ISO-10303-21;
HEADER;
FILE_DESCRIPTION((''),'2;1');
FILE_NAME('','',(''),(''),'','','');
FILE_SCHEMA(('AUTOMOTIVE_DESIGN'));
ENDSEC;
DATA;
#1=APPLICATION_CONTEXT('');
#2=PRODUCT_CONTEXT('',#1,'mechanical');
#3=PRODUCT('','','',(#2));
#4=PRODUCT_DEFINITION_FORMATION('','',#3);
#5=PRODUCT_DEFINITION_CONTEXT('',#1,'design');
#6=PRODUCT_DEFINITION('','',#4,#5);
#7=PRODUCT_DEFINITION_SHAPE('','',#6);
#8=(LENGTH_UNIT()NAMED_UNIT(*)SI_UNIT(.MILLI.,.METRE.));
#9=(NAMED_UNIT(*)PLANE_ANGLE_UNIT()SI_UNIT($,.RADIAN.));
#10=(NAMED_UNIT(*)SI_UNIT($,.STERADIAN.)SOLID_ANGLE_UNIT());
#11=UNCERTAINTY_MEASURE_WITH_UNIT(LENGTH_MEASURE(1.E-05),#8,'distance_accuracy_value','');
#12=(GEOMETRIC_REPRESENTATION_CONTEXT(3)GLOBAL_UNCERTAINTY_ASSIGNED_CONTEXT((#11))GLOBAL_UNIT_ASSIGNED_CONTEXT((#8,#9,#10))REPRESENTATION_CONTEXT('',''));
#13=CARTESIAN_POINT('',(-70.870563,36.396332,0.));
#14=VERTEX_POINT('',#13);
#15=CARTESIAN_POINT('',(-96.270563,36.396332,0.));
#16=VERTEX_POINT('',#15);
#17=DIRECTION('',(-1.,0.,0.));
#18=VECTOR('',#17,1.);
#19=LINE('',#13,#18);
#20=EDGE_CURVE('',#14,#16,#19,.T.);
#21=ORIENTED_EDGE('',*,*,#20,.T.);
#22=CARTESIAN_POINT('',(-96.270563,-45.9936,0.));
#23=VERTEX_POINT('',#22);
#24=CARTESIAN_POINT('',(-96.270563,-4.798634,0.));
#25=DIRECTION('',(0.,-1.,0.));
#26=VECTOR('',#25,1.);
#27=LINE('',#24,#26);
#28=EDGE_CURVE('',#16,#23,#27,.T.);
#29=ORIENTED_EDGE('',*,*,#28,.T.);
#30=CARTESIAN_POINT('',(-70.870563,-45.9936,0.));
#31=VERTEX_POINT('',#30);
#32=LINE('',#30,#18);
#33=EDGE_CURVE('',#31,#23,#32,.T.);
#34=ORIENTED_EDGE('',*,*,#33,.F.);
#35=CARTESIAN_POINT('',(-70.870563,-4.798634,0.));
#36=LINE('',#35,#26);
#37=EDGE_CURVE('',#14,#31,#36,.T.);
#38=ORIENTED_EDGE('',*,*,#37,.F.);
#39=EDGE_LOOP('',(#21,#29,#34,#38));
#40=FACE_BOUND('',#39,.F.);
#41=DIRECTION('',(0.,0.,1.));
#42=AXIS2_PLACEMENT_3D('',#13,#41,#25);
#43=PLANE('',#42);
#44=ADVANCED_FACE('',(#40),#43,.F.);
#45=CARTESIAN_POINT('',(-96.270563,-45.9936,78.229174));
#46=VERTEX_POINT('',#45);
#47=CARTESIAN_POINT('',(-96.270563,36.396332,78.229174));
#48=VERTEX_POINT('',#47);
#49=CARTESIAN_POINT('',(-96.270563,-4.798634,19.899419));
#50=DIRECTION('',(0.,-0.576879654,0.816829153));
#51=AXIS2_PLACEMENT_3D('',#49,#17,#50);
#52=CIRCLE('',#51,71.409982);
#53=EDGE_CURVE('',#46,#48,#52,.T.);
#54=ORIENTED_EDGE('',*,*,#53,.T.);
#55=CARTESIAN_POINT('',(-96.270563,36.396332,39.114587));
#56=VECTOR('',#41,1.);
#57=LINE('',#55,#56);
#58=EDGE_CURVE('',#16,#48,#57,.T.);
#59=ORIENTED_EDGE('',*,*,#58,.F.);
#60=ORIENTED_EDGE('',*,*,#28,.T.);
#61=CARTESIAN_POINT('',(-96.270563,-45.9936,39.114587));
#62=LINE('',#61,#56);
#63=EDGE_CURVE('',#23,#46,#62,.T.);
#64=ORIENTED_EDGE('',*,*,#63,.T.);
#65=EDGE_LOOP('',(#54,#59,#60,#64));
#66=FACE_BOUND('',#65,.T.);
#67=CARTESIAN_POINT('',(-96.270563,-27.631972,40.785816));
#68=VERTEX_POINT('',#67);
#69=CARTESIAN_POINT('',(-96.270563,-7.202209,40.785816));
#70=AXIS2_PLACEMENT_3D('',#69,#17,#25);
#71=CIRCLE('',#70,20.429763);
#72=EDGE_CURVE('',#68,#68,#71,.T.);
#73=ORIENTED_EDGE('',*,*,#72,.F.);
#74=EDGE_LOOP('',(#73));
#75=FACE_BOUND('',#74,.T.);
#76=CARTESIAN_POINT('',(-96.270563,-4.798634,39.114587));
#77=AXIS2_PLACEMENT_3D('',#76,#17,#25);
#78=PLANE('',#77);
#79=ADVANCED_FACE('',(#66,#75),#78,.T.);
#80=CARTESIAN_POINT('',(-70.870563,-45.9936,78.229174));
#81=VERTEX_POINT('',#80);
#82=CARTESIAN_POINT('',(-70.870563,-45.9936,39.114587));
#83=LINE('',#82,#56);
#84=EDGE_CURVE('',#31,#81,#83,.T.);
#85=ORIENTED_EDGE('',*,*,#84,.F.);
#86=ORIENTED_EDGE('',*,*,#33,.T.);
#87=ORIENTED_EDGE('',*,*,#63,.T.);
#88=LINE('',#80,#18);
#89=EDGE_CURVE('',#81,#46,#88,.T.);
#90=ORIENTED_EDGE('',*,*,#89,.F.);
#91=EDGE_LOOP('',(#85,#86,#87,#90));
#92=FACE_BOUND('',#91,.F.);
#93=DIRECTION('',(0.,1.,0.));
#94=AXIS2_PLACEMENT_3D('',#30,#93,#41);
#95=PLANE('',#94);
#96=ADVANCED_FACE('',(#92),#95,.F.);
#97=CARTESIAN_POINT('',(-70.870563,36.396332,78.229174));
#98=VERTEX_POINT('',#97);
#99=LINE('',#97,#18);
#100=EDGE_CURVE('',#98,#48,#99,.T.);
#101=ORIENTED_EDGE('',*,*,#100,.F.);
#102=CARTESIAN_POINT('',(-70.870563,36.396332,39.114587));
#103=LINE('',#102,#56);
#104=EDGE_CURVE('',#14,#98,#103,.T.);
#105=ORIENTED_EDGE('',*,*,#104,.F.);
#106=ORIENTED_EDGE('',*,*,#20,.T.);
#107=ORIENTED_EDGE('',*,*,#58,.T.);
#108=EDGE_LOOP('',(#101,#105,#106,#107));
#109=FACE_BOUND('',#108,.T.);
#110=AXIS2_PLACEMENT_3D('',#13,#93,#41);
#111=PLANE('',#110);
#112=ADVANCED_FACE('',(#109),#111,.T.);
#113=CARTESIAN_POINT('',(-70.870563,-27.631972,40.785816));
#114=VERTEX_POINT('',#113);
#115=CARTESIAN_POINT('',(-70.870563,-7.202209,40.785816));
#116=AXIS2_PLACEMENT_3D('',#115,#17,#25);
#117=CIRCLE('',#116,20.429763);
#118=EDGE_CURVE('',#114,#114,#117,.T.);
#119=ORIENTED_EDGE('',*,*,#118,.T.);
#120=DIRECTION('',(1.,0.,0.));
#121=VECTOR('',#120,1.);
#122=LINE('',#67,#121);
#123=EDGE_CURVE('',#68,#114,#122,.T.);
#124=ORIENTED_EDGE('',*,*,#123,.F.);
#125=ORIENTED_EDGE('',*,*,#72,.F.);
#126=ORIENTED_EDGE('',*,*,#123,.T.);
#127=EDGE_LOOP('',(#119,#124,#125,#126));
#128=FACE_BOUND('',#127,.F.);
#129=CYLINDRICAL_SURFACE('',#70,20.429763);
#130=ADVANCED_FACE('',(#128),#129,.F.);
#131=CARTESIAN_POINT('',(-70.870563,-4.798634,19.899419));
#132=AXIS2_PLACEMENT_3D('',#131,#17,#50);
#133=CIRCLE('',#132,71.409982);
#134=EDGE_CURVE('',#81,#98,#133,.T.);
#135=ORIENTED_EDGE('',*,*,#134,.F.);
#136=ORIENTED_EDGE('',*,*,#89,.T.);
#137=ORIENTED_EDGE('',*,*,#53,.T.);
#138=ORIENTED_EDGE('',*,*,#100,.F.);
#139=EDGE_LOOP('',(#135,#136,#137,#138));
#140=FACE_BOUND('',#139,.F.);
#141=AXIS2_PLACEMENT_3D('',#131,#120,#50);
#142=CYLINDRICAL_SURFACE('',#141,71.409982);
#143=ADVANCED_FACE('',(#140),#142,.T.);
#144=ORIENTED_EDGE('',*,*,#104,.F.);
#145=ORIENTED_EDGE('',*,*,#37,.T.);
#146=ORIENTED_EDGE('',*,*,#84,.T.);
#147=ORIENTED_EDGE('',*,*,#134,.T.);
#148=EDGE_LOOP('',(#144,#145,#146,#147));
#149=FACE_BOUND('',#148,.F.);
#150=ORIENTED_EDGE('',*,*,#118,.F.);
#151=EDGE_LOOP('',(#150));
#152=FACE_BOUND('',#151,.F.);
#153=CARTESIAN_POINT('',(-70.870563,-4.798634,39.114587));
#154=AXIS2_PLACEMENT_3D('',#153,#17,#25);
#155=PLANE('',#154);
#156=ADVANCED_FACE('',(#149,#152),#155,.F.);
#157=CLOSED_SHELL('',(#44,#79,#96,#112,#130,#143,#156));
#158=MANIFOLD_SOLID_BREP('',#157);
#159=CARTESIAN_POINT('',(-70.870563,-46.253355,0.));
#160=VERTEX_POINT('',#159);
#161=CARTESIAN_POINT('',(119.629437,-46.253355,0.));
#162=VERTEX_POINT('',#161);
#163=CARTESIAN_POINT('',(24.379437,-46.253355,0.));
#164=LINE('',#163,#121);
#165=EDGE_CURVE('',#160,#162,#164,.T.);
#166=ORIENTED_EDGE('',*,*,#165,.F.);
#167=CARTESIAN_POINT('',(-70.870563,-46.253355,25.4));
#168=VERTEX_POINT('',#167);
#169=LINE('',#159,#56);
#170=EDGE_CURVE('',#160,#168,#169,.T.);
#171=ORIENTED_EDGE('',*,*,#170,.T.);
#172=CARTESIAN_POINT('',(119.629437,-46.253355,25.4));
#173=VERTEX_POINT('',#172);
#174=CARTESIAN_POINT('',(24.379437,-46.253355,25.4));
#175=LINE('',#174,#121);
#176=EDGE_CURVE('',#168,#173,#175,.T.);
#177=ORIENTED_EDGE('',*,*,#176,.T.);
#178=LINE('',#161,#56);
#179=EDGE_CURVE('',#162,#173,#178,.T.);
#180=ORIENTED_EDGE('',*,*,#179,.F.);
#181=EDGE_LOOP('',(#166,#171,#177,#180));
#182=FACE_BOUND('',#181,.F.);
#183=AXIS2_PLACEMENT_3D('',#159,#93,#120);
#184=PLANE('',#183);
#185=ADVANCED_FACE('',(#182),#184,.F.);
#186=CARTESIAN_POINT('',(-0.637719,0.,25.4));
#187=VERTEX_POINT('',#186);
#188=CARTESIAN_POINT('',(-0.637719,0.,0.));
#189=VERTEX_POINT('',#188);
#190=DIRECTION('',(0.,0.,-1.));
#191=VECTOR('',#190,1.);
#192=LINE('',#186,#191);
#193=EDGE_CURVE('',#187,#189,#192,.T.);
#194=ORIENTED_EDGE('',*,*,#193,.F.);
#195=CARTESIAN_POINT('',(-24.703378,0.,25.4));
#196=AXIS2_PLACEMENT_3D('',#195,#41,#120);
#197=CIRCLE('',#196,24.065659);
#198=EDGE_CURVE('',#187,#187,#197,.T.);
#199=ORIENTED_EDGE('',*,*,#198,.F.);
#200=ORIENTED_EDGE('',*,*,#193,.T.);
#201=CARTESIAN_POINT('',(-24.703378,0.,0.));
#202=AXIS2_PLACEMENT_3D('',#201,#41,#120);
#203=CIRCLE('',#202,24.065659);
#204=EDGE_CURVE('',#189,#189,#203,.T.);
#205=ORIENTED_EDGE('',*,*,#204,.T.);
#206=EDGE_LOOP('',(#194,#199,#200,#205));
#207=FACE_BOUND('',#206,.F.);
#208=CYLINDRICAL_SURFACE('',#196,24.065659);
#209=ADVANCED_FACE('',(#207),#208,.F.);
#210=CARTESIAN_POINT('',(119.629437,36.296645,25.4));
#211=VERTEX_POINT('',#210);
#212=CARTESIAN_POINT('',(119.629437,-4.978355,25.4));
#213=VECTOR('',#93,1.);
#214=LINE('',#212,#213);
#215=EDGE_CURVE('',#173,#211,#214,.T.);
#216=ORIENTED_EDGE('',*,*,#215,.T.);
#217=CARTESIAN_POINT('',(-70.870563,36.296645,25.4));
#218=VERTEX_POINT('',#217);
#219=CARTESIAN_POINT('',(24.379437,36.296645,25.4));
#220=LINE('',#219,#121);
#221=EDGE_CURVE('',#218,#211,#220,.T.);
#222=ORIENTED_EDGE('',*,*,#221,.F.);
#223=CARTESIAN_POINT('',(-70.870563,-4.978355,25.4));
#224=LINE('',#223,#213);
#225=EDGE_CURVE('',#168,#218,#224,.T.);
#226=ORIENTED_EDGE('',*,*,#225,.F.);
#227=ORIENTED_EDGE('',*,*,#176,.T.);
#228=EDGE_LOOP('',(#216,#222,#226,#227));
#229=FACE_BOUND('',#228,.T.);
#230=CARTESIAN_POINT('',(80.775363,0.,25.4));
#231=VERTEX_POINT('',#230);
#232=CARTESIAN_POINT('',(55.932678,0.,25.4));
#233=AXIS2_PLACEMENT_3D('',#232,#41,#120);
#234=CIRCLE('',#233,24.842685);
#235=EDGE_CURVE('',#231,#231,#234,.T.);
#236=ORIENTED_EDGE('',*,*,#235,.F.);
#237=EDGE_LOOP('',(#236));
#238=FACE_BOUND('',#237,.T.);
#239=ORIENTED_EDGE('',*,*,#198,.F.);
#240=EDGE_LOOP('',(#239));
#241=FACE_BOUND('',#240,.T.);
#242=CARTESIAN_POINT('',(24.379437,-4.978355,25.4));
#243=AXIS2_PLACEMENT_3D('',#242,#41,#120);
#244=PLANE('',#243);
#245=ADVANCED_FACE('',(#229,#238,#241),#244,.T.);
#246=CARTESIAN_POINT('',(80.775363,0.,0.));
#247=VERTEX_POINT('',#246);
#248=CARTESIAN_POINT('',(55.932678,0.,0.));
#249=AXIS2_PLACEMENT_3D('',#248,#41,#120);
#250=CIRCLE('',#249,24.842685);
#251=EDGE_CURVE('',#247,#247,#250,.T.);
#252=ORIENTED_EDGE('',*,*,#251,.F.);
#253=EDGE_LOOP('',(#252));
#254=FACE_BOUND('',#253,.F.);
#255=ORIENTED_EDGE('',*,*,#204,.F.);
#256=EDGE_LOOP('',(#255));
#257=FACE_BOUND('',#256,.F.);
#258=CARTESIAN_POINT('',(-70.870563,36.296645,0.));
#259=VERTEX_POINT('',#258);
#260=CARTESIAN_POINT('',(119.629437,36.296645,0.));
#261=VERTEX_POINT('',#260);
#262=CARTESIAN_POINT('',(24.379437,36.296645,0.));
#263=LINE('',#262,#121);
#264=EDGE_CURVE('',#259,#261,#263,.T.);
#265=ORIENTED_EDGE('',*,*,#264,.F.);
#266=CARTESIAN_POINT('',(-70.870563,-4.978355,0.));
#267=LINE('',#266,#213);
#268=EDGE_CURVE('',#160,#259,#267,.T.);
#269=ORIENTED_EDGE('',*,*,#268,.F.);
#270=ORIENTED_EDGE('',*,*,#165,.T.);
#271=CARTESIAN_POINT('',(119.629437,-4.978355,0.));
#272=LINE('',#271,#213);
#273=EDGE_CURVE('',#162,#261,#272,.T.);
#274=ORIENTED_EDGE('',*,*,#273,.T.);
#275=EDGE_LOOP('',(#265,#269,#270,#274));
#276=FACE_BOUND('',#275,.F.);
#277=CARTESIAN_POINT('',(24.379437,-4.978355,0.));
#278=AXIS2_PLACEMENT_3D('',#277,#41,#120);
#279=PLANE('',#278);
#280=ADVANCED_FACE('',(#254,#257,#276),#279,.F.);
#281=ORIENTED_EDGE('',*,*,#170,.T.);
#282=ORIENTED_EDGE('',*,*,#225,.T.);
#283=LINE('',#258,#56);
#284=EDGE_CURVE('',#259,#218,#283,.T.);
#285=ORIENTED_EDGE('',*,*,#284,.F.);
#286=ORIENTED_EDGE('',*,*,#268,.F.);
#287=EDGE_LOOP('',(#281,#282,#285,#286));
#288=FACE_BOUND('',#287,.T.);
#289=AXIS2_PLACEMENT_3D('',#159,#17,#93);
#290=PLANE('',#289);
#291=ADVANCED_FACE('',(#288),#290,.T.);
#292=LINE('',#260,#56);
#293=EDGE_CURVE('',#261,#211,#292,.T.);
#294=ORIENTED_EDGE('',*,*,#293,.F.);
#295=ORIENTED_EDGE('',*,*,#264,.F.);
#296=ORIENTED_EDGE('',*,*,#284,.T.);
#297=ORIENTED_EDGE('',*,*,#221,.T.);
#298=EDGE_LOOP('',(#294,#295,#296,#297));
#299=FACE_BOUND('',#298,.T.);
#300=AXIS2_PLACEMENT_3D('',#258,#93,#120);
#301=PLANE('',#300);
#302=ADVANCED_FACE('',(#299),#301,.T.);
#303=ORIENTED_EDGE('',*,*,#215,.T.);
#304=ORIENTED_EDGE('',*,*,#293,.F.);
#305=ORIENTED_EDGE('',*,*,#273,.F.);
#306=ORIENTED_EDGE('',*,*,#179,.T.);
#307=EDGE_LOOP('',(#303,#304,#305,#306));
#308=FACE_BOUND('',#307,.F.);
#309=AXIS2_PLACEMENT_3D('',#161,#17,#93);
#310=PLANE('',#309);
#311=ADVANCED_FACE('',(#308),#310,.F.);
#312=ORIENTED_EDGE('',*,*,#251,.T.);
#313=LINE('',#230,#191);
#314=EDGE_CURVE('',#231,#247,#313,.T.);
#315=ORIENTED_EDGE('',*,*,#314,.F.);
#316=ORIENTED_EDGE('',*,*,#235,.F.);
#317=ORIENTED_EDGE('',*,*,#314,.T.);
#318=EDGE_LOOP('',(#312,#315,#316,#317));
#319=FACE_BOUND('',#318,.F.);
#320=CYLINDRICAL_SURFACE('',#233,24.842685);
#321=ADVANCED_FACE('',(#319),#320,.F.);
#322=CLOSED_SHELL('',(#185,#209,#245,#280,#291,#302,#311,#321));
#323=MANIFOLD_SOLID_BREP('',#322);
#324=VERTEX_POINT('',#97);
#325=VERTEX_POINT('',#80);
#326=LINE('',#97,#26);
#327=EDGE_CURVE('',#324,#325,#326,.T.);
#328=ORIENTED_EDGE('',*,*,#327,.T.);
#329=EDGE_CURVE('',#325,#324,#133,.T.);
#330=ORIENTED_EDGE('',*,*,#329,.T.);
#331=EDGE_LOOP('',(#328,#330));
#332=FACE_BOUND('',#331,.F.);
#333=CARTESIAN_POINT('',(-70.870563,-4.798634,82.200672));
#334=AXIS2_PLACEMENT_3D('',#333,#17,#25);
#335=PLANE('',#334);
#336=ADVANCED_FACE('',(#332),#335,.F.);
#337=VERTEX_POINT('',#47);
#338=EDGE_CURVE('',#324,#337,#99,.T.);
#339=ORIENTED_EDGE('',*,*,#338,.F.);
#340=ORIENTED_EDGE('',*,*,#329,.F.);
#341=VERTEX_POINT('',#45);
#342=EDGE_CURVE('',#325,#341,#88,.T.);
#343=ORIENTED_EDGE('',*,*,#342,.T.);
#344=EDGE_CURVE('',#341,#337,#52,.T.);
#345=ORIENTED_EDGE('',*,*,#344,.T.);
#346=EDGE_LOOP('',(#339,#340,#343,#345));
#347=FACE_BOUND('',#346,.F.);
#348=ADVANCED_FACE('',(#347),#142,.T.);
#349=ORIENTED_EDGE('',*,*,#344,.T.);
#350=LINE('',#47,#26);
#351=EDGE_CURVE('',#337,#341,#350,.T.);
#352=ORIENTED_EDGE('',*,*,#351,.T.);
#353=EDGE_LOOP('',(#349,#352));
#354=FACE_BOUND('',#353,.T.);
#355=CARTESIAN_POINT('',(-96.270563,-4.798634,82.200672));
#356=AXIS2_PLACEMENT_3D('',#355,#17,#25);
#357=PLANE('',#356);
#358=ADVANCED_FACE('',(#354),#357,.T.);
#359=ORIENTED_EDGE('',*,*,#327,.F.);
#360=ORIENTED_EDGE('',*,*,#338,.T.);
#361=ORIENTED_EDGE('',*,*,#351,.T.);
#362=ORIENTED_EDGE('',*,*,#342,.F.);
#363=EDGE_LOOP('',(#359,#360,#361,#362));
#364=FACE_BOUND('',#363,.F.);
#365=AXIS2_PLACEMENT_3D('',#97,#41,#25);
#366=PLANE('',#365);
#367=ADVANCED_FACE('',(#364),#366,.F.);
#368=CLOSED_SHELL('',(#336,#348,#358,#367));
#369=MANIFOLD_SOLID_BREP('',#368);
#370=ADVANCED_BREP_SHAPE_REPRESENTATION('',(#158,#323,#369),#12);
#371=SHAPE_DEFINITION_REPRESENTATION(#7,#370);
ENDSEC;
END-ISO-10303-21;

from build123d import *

# Parameters (mm, degrees)
F0_W     = 190.5
F0_H     = 82.55
F1_DEPTH = 25.4
F2_R     = 24.065659
F2_R_2   = 24.842685
F3_DEPTH = 25.4
F5_DEPTH = 25.4
F4_W     = 82.389932
F4_H     = 78.229174
F6_DEPTH = 25.4
F7_R     = 20.429763
F8_DEPTH = 25.4


with BuildPart() as f1:
    # F0 (on Top) → F1 (new body)
    with BuildSketch(Plane.XY):
        with Locations((24.379437, -4.978355)):
            Rectangle(F0_W, F0_H)
    extrude(amount=F1_DEPTH)

    # F2 (on face) → F3 (cut)
    with BuildSketch(Plane.XY.offset(25.4)):
        with Locations((-24.703378, 0)):
            Circle(F2_R)
        with Locations((55.932678, 0)):
            Circle(F2_R_2)
    extrude(amount=-F3_DEPTH, mode=Mode.SUBTRACT)


with BuildPart() as f5:
    # F4 (on face) → F5 (new body)
    with BuildSketch(Plane(origin=(-70.870563, 0, 0), x_dir=(0, -1, 0), z_dir=(-1, 0, 0))):
        with BuildLine():
            ThreePointArc((45.9936, 78.229174), (4.798634, 91.309401), (-36.396332, 78.229174))
            Line((-36.396332, 78.229174), (45.9936, 78.229174))
        make_face()
    extrude(amount=F5_DEPTH)


with BuildPart() as f6:
    # F4 (on face) → F6 (new body)
    with BuildSketch(Plane(origin=(-70.870563, 0, 0), x_dir=(0, -1, 0), z_dir=(-1, 0, 0))):
        with Locations((4.798634, 39.114587)):
            Rectangle(F4_W, F4_H)
        with BuildLine():
            ThreePointArc((45.9936, 78.229174), (4.798634, 91.309401), (-36.396332, 78.229174))
            Line((-36.396332, 78.229174), (45.9936, 78.229174))
        make_face()
    extrude(amount=F6_DEPTH)

    # F7 (on face) → F8 (cut)
    with BuildSketch(Plane(origin=(-96.270563, 0, 0), x_dir=(0, -1, 0), z_dir=(-1, 0, 0))):
        with Locations((7.202209, 40.785816)):
            Circle(F7_R)
    extrude(amount=-F8_DEPTH, mode=Mode.SUBTRACT)


solid = Compound([f1.part, f5.part, f6.part])
